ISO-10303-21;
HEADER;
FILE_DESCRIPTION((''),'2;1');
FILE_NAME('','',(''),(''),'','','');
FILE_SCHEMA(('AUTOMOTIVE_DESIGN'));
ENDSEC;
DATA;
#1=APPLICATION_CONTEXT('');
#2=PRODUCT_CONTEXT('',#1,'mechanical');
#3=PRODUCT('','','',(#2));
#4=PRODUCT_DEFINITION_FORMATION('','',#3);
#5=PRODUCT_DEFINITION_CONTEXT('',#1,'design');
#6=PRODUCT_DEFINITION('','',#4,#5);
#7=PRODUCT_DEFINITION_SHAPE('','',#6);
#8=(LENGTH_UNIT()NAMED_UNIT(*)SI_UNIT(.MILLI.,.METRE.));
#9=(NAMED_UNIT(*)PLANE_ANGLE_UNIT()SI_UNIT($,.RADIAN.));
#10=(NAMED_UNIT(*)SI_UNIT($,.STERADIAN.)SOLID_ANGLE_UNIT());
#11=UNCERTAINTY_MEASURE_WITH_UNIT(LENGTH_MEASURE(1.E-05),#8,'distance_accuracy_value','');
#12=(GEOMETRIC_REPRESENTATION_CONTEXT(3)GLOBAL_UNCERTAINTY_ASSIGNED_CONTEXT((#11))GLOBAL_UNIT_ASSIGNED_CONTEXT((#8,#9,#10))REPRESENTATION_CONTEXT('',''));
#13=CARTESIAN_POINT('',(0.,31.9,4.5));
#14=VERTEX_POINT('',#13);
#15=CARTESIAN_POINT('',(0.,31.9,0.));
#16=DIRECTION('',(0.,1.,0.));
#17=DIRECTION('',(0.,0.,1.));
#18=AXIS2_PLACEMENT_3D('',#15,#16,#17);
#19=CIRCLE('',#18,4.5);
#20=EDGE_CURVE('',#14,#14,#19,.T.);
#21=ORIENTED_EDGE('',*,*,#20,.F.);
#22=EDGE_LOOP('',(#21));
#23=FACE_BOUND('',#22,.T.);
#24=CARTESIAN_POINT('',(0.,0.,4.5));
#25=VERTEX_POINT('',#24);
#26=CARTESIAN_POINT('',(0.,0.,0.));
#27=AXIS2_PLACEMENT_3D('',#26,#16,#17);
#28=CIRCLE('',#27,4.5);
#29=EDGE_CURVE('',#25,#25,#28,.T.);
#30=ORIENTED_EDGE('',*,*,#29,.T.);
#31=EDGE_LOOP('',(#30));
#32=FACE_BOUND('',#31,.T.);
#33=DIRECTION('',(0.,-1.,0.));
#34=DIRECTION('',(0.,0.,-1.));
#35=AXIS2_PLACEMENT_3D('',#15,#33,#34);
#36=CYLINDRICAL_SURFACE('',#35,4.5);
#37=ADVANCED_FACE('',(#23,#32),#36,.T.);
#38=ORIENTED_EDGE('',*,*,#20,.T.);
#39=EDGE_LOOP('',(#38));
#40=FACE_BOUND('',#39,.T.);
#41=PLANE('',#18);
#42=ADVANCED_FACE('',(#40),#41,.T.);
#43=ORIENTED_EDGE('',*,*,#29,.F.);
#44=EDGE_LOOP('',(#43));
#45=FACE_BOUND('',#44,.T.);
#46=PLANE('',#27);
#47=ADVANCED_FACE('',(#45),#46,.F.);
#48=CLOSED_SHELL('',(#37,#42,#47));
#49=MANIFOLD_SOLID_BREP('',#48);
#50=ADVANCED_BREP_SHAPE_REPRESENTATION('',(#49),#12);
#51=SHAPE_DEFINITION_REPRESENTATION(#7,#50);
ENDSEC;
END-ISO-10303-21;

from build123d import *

# Parameters (mm, degrees)
SKETCH_1_R      = 4.5
EXTRUDE_1_DEPTH = 31.9


with BuildPart() as part:
    # 草图1 → 凸台-拉伸1 (new body)
    with BuildSketch(Plane(origin=(0, 0, 0), x_dir=(1, 0, 0), z_dir=(0, 1, 0))):
        with Locations(Location((0, 0, 0), (0, 0, 270))):
            Circle(SKETCH_1_R)
    extrude(amount=EXTRUDE_1_DEPTH)


solid = part.part
